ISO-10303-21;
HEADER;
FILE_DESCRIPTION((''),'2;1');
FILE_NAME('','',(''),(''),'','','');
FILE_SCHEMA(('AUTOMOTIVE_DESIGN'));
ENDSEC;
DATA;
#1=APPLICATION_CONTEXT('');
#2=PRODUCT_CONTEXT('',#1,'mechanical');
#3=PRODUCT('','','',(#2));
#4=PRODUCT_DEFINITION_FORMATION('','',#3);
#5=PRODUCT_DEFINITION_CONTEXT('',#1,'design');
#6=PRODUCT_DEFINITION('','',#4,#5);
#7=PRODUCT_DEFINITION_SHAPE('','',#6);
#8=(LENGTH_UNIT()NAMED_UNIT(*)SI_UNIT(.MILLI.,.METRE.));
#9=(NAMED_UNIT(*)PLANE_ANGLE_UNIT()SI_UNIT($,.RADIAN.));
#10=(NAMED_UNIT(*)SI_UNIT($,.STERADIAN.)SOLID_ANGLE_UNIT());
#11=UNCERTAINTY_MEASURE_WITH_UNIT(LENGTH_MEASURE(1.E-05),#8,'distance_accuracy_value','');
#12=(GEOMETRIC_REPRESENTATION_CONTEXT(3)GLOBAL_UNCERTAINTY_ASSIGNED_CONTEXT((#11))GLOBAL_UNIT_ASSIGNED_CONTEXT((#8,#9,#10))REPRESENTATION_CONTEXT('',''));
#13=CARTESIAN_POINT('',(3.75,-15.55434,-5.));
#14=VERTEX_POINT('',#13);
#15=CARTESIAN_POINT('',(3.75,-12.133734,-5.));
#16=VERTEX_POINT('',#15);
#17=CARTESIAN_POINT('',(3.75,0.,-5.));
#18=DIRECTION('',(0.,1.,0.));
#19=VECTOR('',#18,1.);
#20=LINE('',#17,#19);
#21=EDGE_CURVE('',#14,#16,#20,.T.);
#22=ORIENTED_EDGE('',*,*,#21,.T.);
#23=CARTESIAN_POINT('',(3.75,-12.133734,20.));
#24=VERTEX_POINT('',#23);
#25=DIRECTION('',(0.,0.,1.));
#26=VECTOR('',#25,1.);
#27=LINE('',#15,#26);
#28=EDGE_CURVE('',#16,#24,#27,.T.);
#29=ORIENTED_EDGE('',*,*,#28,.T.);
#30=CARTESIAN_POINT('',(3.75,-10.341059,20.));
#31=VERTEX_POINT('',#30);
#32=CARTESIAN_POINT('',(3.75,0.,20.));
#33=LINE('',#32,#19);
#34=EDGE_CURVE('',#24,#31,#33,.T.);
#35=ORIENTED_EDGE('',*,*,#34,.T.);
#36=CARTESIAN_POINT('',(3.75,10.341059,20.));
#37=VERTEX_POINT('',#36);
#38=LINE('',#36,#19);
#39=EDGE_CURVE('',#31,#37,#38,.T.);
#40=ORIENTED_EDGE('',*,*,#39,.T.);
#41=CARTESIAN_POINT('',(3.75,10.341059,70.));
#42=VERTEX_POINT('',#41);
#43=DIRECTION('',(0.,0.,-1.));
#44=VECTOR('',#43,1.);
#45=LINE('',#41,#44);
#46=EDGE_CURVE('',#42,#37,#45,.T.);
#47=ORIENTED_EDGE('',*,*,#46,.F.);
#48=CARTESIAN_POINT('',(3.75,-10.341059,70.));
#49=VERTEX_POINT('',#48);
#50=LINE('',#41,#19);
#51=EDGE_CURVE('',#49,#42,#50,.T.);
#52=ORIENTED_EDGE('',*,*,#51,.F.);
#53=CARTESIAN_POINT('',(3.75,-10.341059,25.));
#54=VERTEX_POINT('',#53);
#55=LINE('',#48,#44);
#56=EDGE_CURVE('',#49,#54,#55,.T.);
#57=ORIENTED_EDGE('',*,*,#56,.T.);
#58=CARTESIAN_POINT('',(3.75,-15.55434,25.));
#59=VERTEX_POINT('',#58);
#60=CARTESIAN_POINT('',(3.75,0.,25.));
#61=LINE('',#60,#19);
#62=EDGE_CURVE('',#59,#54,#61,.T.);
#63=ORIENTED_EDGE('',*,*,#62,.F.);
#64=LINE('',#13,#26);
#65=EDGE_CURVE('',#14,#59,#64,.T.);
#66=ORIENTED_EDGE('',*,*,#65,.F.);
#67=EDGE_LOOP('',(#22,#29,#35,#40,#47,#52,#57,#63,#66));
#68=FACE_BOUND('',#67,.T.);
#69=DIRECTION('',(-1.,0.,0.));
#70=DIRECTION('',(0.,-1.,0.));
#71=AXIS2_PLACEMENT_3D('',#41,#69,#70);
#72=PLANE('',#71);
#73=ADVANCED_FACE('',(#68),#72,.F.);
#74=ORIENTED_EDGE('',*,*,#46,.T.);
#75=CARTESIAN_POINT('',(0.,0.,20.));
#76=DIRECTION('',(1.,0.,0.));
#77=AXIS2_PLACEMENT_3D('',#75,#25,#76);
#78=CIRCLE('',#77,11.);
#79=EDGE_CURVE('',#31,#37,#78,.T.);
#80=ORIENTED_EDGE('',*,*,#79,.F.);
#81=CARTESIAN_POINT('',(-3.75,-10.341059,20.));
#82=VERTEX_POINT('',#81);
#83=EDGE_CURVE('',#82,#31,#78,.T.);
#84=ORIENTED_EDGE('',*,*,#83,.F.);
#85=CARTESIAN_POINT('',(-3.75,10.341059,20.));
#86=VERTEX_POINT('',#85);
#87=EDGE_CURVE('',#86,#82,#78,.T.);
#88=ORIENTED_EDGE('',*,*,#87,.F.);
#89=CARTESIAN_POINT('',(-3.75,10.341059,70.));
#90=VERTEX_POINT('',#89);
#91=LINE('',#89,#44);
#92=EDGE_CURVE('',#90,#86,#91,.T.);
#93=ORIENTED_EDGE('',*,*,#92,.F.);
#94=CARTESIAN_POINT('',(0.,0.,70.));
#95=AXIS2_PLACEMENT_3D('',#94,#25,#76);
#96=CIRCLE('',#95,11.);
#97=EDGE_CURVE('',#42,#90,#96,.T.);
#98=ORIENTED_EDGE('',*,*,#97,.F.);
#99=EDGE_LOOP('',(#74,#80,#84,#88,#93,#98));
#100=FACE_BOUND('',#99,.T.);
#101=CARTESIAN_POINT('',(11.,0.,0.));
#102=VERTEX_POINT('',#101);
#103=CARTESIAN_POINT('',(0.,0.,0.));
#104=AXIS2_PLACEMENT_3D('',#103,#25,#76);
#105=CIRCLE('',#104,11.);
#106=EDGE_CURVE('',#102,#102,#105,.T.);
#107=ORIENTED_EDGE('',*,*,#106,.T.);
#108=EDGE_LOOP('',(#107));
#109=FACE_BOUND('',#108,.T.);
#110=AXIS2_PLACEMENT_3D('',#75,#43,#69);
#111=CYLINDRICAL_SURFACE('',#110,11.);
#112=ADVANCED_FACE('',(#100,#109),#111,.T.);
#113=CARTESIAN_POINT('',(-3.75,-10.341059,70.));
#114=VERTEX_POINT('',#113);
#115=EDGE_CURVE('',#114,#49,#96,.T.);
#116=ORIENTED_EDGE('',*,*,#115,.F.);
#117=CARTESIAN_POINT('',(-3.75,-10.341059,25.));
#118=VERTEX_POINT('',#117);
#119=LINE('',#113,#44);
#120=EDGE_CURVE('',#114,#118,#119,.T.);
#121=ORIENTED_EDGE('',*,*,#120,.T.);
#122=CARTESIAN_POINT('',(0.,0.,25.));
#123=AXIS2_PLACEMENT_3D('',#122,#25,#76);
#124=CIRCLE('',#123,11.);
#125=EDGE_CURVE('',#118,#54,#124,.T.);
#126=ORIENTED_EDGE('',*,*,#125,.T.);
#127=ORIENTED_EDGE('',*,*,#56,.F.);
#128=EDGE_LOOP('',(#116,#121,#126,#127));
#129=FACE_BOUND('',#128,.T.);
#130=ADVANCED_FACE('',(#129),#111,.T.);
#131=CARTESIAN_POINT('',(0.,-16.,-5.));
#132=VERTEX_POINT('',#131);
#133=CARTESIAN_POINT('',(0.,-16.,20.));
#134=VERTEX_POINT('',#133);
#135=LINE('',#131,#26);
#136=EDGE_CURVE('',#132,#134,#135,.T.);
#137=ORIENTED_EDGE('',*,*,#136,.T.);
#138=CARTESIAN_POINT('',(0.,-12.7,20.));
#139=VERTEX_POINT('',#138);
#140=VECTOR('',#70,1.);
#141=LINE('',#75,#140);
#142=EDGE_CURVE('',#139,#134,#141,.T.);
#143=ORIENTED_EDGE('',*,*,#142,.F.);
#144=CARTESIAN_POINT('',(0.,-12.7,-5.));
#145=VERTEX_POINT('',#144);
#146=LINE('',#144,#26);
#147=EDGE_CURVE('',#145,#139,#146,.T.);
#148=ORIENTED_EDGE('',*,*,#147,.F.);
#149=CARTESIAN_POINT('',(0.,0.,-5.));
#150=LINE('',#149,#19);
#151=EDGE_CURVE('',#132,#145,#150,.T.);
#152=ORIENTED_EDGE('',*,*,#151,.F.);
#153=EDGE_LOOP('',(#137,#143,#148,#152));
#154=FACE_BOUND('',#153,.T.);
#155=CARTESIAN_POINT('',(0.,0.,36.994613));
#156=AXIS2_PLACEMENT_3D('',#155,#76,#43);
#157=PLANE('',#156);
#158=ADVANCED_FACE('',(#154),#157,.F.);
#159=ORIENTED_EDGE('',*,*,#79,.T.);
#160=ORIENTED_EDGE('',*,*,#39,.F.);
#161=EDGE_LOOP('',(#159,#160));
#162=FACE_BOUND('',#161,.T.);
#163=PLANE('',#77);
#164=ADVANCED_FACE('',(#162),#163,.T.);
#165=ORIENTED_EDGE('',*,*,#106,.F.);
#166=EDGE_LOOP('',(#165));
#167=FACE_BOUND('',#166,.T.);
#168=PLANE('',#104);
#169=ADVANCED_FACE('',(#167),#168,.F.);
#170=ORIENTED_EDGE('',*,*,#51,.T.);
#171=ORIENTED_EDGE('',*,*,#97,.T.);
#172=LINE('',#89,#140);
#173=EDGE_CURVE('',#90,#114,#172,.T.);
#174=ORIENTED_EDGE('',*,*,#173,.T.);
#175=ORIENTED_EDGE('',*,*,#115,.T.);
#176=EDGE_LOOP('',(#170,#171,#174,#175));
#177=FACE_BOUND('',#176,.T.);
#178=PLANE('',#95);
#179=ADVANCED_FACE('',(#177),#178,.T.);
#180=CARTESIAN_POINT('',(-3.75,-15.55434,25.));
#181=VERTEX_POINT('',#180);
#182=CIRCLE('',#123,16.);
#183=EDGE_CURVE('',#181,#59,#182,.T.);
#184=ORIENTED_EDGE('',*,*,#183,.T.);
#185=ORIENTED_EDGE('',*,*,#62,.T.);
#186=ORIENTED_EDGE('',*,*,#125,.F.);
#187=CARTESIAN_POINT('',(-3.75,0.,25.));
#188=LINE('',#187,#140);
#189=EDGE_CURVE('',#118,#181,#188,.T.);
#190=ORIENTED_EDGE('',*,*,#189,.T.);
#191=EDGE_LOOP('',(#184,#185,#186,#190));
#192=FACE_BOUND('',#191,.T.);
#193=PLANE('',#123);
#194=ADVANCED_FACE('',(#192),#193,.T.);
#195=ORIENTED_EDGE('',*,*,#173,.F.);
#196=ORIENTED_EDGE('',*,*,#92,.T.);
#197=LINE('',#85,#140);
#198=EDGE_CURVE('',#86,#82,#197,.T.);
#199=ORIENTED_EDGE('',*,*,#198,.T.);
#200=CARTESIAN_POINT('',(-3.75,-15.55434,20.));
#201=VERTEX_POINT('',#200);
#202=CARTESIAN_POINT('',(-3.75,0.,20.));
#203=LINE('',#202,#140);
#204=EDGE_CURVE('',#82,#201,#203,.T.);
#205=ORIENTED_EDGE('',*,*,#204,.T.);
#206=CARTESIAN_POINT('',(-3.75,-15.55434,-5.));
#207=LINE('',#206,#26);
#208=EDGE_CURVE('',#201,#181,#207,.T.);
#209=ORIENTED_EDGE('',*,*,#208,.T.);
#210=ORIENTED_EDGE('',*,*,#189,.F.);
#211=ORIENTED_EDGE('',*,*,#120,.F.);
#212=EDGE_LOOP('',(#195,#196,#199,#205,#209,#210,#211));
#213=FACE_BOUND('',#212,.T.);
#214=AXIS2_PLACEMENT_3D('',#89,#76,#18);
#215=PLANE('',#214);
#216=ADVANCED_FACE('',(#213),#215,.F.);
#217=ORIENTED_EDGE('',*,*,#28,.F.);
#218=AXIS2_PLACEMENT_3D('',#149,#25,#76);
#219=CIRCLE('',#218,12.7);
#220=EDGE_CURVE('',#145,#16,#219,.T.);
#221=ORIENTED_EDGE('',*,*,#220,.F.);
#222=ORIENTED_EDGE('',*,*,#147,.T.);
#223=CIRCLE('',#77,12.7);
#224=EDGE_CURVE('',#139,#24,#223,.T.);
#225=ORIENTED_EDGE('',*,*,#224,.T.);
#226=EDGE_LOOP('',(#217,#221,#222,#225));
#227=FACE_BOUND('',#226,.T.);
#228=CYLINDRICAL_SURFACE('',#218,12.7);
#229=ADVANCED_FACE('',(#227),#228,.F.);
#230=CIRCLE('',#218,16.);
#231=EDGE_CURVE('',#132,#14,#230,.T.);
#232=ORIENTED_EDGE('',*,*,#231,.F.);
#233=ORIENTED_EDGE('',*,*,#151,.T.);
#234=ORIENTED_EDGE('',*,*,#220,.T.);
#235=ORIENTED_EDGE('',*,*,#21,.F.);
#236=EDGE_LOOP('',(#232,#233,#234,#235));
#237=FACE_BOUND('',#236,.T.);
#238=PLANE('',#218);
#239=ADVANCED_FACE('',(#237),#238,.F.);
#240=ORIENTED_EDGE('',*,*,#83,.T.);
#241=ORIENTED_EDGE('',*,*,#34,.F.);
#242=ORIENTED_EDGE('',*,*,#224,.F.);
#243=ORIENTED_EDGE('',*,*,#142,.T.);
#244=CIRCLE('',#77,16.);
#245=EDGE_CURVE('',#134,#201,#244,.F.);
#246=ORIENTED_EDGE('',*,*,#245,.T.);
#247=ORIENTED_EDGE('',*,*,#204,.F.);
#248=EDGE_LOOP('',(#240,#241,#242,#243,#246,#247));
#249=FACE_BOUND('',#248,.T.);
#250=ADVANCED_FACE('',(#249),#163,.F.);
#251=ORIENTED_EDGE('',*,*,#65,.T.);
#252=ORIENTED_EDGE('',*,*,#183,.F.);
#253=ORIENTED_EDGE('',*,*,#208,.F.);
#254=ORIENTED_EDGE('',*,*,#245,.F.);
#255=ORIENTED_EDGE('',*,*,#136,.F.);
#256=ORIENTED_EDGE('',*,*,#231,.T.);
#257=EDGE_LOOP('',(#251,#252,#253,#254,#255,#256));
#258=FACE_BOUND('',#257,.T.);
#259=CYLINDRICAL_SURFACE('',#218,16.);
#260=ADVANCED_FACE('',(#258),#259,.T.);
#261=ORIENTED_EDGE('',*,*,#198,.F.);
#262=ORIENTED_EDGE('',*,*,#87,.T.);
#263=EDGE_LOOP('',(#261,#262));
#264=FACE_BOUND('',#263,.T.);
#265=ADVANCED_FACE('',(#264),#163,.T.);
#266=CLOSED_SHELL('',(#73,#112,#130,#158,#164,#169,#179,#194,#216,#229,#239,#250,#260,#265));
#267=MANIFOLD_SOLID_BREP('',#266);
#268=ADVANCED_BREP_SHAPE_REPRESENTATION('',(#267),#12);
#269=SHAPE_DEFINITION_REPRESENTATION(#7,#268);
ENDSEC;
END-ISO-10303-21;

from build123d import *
from build123d.topology import SkipClean

# Parameters (mm, degrees)
SKETCH2_R               = 11
BOSS_EXTRUDE1_DEPTH     = 20
BOSS_EXTRUDE2_DEPTH     = 50
BOSS_EXTRUDE3_START     = -50
BOSS_EXTRUDE3_DEPTH     = 5
CUT_EXTRUDE2_DEPTH      = 72.992538676
CUT_EXTRUDE2_DEPTH_BACK = 72.992538676
SKETCH5_R               = 16.440704867
SKETCH5_R_2             = 12.7
BOSS_EXTRUDE4_START     = -5
BOSS_EXTRUDE4_DEPTH     = 30
CUT_EXTRUDE3_START      = 5
SKETCH7_W               = 3.75
SKETCH7_H               = 16.575715954
CUT_EXTRUDE3_DEPTH      = 25


with BuildPart() as part:
    # Sketch2 → Boss-Extrude1 (new body)
    with BuildSketch(Plane.XY):
        Circle(SKETCH2_R)
    extrude(amount=BOSS_EXTRUDE1_DEPTH)

    # Sketch3 → Boss-Extrude2 (add)
    with SkipClean():  # the faces are left unmerged after this step: merging them gives an invalid solid
        with BuildSketch(Plane.XY.offset(20)):
            with BuildLine():
                Line((3.75, 10.34105894), (3.75, -10.34105894))
                ThreePointArc((3.75, -10.34105894), (0, -11), (-3.75, -10.34105894))
                Line((-3.75, -10.34105894), (-3.75, 10.34105894))
                ThreePointArc((-3.75, 10.34105894), (0, 11), (3.75, 10.34105894))
            make_face()
        extrude(amount=BOSS_EXTRUDE2_DEPTH)

    # Sketch4 → Boss-Extrude3 (add)
    with SkipClean():  # the faces are left unmerged after this step: merging them gives an invalid solid
        with BuildSketch(Plane.XY.offset(70).offset(BOSS_EXTRUDE3_START)):
            with BuildLine():
                Line((-3.75, -10.34105894), (-3.75, -12.159898231))
                ThreePointArc((-3.75, -12.159898231), (0, -12.725), (3.75, -12.159898231))
                Line((3.75, -12.159898231), (3.75, -10.34105894))
                ThreePointArc((3.75, -10.34105894), (0, -11), (-3.75, -10.34105894))
            make_face()
        extrude(amount=BOSS_EXTRUDE3_DEPTH)

    # Sketch5 → Cut-Extrude2 (cut, two sides: drawn at the far end of the back side and taken through both)
    with SkipClean():  # the faces are left unmerged after this step: merging them gives an invalid solid
        with BuildSketch(Plane.XY.offset(70).offset(-CUT_EXTRUDE2_DEPTH_BACK)):
            Circle(SKETCH5_R)
            Circle(SKETCH5_R_2, mode=Mode.SUBTRACT)
        extrude(amount=CUT_EXTRUDE2_DEPTH + CUT_EXTRUDE2_DEPTH_BACK, mode=Mode.SUBTRACT)

    # Sketch6 → Boss-Extrude4 (add)
    with SkipClean():  # the faces are left unmerged after this step: merging them gives an invalid solid
        with BuildSketch(Plane(origin=(0, 0, 20), x_dir=(-1, 0, 0), z_dir=(0, 0, -1)).offset(BOSS_EXTRUDE4_START)):
            with BuildLine():
                Line((-3.75, -12.133733968), (-3.75, -15.55434023))
                ThreePointArc((-3.75, -15.55434023), (0, -16), (3.75, -15.55434023))
                Line((3.75, -15.55434023), (3.75, -12.133733968))
                ThreePointArc((3.75, -12.133733968), (0, -12.7), (-3.75, -12.133733968))
            make_face()
        extrude(amount=BOSS_EXTRUDE4_DEPTH)

    # Sketch7 → Cut-Extrude3 (cut)
    with SkipClean():  # the faces are left unmerged after this step: merging them gives an invalid solid
        with BuildSketch(Plane(origin=(0, 0, 0), x_dir=(-1, 0, 0), z_dir=(0, 0, -1)).offset(CUT_EXTRUDE3_START)):
            with Locations((1.875, -20.421591945)):
                Rectangle(SKETCH7_W, SKETCH7_H)
        extrude(amount=-CUT_EXTRUDE3_DEPTH, mode=Mode.SUBTRACT)


solid = part.part
